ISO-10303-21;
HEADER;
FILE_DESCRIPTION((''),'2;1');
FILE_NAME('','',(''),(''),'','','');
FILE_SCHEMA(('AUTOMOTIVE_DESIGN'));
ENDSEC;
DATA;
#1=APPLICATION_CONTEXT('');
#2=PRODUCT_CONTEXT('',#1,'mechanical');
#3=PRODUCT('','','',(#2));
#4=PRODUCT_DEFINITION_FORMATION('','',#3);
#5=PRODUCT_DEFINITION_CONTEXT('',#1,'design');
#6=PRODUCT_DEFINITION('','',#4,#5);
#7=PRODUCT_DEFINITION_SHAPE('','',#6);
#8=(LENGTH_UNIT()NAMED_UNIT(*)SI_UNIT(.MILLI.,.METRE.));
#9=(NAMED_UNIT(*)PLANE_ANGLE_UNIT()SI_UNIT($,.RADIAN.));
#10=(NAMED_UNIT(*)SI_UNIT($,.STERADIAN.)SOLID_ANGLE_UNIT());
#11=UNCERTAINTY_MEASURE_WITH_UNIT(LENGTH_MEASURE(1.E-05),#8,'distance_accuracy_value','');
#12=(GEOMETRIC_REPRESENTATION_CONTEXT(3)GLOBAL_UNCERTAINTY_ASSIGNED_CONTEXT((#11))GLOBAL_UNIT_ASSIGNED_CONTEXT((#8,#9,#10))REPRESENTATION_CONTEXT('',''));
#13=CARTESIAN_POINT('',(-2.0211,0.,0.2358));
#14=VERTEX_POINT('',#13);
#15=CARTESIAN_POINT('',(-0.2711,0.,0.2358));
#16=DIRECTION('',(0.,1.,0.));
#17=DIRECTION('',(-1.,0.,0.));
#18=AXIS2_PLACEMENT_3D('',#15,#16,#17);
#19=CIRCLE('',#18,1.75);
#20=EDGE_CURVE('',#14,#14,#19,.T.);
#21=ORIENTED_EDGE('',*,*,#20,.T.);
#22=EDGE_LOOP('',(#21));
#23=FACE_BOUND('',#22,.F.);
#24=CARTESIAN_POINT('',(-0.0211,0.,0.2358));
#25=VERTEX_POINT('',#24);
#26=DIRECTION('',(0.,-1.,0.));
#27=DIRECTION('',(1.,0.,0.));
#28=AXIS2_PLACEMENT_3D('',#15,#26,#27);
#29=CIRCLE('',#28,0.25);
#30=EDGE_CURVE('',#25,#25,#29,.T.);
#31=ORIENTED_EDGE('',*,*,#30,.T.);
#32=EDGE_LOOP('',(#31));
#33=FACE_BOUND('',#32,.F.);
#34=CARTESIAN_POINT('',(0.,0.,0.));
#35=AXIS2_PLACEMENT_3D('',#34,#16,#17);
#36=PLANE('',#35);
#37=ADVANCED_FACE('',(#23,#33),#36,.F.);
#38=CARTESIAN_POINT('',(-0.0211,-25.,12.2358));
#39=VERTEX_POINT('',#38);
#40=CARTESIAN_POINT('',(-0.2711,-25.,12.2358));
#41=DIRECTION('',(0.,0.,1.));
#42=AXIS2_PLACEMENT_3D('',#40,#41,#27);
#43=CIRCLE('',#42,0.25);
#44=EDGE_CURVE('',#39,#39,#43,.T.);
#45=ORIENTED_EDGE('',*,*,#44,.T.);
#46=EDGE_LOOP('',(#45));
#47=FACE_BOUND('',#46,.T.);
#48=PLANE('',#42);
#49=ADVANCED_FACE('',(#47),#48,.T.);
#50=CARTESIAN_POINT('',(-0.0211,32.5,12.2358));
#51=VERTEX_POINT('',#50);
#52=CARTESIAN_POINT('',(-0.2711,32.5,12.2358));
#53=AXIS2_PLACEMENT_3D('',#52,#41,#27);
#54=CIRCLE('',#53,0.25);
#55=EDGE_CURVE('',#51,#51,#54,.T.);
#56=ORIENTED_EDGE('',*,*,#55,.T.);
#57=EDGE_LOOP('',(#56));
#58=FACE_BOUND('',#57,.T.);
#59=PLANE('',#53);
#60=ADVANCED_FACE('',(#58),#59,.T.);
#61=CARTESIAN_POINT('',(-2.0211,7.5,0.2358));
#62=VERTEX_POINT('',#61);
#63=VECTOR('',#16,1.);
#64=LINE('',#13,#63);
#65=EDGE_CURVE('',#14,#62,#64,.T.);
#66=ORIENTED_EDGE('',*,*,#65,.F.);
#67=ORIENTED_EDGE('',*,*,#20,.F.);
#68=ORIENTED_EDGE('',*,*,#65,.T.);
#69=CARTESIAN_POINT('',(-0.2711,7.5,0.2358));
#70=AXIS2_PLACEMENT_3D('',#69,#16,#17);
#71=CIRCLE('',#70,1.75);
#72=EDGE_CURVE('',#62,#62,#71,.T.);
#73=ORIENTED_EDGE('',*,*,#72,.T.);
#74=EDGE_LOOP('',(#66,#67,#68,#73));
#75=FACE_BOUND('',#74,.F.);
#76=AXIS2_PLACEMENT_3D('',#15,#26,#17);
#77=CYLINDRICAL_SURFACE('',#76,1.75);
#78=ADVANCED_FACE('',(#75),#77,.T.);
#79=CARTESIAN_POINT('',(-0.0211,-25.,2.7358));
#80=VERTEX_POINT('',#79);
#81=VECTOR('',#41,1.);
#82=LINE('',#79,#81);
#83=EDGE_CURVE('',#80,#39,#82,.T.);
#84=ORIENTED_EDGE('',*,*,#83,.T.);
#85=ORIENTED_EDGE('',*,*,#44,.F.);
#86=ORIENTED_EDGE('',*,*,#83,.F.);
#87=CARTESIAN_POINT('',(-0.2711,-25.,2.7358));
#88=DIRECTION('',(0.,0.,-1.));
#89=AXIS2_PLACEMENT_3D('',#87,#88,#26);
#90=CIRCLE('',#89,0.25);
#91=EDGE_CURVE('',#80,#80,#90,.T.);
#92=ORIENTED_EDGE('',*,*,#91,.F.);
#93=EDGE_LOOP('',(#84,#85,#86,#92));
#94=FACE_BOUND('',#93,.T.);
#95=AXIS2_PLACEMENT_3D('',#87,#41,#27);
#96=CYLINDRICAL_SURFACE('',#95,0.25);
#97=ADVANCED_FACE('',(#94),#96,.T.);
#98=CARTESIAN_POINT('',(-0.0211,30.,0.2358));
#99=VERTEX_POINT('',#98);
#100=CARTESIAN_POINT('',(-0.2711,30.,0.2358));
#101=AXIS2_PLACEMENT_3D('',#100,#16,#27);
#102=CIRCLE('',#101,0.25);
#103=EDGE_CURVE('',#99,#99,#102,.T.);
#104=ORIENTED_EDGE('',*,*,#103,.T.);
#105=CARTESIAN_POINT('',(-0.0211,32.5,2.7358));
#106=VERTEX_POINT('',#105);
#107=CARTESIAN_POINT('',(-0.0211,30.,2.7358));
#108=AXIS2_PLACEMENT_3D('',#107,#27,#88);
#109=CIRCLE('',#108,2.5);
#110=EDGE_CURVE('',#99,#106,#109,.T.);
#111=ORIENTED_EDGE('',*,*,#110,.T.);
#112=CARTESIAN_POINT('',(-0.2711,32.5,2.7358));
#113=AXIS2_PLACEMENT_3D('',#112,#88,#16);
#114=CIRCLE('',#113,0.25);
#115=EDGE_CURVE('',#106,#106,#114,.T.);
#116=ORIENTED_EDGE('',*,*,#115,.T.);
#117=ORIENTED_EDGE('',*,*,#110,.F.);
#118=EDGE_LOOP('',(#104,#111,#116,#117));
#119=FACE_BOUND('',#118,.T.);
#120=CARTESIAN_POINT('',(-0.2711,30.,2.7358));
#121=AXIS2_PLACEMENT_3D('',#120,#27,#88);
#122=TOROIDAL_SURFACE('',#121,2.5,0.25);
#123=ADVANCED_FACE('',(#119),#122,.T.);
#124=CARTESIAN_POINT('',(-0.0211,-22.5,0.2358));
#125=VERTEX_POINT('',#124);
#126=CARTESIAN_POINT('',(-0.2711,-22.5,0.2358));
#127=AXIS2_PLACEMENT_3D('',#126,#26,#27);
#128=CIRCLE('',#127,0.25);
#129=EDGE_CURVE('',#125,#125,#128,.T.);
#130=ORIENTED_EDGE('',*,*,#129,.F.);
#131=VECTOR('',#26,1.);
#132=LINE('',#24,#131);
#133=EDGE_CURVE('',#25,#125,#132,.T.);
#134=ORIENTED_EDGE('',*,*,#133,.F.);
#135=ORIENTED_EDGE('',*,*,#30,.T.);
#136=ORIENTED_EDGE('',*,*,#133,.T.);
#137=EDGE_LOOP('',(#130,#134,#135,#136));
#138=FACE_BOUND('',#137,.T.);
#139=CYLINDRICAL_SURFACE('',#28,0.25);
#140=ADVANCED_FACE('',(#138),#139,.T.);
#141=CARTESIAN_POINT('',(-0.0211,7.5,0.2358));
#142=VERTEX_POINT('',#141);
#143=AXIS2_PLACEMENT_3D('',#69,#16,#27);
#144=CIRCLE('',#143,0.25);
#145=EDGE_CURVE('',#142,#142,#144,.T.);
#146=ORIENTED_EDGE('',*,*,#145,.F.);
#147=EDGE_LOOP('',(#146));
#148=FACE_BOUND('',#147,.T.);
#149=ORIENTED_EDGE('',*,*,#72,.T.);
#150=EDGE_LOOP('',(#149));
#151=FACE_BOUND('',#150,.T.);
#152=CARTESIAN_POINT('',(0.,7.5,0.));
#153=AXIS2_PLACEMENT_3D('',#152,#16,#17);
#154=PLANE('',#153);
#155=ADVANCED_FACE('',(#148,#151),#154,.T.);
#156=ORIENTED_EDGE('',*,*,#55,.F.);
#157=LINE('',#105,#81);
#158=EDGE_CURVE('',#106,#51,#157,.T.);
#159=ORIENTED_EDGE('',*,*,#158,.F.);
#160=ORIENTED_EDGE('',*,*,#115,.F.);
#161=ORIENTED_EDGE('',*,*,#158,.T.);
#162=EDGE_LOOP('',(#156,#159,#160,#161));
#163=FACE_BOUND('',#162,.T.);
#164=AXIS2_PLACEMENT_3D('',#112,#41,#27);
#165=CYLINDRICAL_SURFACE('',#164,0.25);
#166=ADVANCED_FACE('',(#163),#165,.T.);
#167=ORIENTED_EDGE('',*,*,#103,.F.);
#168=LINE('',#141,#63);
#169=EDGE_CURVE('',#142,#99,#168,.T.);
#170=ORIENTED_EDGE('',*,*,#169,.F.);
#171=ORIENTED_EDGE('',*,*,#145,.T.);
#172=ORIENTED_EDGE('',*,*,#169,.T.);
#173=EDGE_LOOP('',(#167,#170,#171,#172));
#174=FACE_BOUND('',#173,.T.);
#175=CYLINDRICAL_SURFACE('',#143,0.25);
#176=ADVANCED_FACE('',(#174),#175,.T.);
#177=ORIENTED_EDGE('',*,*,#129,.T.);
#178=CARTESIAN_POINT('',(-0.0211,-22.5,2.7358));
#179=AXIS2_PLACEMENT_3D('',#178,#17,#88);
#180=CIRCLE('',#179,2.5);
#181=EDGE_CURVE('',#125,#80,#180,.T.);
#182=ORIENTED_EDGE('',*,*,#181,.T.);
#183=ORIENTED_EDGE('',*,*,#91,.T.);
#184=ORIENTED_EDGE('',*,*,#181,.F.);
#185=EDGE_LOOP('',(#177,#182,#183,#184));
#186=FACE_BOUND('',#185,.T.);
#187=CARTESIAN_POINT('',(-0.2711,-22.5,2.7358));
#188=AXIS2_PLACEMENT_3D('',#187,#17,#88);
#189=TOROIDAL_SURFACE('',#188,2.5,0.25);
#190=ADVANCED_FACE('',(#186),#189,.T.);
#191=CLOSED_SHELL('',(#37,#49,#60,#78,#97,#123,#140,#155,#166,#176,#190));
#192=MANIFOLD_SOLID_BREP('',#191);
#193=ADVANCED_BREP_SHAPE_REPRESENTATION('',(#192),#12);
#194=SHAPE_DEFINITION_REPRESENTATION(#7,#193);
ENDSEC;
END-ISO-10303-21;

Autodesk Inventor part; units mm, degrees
ref_plane "YZ Plane" through (0, 0, 0) normal (1, 0, 0) x (0, 1, 0)
ref_plane "XZ Plane" through (0, 0, 0) normal (0, 1, 0) x (-1, 0, 0)
ref_plane "XY Plane" through (0, 0, 0) normal (0, 0, 1) x (1, 0, 0)
sketch "Sketch1" plane through (0, 0, 0) normal (0, 1, 0) x (-1, 0, 0)
  point P0 (0, 0)
sketch "Sketch2" plane through (0, 0, 0) normal (0, 1, 0) x (-1, 0, 0)
  circle A0 centre (0.2711, 0.2358) radius 1.75
  point P0 (0, 0)
  dimension "d0" = 3.5
extrude "Extrusion1" add sketch "Sketch2" along normal blind 7.5
sketch "Sketch5" plane through (-0.2711, 7.5, 0.2358) normal (0, 1, 0) x (1, 0, 0)
  circle A0 centre (0, 0) radius 0.25 projected
  point P0 (0.2711, 0.2358)
sketch "Sketch8" plane through (-0.2711, 0, 0.2358) normal (0, -1, 0) x (1, 0, 0)
  circle A0 centre (0, 0) radius 0.25
  point P0 (0.2711, -0.2358)
  dimension "d24" = 0.5
sketch3d "3D Sketch3"
  line L0 (-0.2711, 0, 0.2358) -> (-0.2711, -22.5, 0.2358)
  arc A0 (-0.2711, -22.5, 0.2358) -> (-0.2711, -25, 2.7358) centre (-0.2711, -22.5, 2.7358) ccw
  line L1 (-0.2711, -25, 2.7358) -> (-0.2711, -25, 12.2358)
  dimension "d21" = 25
  dimension "d22" = 12
  dimension "d23" = 2.5
sweep "Sweep1" add profiles "Sketch8" path "3D Sketch3"
sketch3d "3D Sketch5"
  line L0 (-0.2711, 7.5, 0.2358) -> (-0.2711, 30, 0.2358)
  arc A0 (-0.2711, 30, 0.2358) -> (-0.2711, 32.5, 2.7358) centre (-0.2711, 30, 2.7358) ccw
  line L1 (-0.2711, 32.5, 2.7358) -> (-0.2711, 32.5, 12.2358)
  dimension "d27" = 25
  dimension "d28" = 12
  dimension "d29" = 2.5
sweep "Sweep2" add profiles "Sketch5" path "3D Sketch5"
properties part number "Diode" material "Silicon Nitride"
